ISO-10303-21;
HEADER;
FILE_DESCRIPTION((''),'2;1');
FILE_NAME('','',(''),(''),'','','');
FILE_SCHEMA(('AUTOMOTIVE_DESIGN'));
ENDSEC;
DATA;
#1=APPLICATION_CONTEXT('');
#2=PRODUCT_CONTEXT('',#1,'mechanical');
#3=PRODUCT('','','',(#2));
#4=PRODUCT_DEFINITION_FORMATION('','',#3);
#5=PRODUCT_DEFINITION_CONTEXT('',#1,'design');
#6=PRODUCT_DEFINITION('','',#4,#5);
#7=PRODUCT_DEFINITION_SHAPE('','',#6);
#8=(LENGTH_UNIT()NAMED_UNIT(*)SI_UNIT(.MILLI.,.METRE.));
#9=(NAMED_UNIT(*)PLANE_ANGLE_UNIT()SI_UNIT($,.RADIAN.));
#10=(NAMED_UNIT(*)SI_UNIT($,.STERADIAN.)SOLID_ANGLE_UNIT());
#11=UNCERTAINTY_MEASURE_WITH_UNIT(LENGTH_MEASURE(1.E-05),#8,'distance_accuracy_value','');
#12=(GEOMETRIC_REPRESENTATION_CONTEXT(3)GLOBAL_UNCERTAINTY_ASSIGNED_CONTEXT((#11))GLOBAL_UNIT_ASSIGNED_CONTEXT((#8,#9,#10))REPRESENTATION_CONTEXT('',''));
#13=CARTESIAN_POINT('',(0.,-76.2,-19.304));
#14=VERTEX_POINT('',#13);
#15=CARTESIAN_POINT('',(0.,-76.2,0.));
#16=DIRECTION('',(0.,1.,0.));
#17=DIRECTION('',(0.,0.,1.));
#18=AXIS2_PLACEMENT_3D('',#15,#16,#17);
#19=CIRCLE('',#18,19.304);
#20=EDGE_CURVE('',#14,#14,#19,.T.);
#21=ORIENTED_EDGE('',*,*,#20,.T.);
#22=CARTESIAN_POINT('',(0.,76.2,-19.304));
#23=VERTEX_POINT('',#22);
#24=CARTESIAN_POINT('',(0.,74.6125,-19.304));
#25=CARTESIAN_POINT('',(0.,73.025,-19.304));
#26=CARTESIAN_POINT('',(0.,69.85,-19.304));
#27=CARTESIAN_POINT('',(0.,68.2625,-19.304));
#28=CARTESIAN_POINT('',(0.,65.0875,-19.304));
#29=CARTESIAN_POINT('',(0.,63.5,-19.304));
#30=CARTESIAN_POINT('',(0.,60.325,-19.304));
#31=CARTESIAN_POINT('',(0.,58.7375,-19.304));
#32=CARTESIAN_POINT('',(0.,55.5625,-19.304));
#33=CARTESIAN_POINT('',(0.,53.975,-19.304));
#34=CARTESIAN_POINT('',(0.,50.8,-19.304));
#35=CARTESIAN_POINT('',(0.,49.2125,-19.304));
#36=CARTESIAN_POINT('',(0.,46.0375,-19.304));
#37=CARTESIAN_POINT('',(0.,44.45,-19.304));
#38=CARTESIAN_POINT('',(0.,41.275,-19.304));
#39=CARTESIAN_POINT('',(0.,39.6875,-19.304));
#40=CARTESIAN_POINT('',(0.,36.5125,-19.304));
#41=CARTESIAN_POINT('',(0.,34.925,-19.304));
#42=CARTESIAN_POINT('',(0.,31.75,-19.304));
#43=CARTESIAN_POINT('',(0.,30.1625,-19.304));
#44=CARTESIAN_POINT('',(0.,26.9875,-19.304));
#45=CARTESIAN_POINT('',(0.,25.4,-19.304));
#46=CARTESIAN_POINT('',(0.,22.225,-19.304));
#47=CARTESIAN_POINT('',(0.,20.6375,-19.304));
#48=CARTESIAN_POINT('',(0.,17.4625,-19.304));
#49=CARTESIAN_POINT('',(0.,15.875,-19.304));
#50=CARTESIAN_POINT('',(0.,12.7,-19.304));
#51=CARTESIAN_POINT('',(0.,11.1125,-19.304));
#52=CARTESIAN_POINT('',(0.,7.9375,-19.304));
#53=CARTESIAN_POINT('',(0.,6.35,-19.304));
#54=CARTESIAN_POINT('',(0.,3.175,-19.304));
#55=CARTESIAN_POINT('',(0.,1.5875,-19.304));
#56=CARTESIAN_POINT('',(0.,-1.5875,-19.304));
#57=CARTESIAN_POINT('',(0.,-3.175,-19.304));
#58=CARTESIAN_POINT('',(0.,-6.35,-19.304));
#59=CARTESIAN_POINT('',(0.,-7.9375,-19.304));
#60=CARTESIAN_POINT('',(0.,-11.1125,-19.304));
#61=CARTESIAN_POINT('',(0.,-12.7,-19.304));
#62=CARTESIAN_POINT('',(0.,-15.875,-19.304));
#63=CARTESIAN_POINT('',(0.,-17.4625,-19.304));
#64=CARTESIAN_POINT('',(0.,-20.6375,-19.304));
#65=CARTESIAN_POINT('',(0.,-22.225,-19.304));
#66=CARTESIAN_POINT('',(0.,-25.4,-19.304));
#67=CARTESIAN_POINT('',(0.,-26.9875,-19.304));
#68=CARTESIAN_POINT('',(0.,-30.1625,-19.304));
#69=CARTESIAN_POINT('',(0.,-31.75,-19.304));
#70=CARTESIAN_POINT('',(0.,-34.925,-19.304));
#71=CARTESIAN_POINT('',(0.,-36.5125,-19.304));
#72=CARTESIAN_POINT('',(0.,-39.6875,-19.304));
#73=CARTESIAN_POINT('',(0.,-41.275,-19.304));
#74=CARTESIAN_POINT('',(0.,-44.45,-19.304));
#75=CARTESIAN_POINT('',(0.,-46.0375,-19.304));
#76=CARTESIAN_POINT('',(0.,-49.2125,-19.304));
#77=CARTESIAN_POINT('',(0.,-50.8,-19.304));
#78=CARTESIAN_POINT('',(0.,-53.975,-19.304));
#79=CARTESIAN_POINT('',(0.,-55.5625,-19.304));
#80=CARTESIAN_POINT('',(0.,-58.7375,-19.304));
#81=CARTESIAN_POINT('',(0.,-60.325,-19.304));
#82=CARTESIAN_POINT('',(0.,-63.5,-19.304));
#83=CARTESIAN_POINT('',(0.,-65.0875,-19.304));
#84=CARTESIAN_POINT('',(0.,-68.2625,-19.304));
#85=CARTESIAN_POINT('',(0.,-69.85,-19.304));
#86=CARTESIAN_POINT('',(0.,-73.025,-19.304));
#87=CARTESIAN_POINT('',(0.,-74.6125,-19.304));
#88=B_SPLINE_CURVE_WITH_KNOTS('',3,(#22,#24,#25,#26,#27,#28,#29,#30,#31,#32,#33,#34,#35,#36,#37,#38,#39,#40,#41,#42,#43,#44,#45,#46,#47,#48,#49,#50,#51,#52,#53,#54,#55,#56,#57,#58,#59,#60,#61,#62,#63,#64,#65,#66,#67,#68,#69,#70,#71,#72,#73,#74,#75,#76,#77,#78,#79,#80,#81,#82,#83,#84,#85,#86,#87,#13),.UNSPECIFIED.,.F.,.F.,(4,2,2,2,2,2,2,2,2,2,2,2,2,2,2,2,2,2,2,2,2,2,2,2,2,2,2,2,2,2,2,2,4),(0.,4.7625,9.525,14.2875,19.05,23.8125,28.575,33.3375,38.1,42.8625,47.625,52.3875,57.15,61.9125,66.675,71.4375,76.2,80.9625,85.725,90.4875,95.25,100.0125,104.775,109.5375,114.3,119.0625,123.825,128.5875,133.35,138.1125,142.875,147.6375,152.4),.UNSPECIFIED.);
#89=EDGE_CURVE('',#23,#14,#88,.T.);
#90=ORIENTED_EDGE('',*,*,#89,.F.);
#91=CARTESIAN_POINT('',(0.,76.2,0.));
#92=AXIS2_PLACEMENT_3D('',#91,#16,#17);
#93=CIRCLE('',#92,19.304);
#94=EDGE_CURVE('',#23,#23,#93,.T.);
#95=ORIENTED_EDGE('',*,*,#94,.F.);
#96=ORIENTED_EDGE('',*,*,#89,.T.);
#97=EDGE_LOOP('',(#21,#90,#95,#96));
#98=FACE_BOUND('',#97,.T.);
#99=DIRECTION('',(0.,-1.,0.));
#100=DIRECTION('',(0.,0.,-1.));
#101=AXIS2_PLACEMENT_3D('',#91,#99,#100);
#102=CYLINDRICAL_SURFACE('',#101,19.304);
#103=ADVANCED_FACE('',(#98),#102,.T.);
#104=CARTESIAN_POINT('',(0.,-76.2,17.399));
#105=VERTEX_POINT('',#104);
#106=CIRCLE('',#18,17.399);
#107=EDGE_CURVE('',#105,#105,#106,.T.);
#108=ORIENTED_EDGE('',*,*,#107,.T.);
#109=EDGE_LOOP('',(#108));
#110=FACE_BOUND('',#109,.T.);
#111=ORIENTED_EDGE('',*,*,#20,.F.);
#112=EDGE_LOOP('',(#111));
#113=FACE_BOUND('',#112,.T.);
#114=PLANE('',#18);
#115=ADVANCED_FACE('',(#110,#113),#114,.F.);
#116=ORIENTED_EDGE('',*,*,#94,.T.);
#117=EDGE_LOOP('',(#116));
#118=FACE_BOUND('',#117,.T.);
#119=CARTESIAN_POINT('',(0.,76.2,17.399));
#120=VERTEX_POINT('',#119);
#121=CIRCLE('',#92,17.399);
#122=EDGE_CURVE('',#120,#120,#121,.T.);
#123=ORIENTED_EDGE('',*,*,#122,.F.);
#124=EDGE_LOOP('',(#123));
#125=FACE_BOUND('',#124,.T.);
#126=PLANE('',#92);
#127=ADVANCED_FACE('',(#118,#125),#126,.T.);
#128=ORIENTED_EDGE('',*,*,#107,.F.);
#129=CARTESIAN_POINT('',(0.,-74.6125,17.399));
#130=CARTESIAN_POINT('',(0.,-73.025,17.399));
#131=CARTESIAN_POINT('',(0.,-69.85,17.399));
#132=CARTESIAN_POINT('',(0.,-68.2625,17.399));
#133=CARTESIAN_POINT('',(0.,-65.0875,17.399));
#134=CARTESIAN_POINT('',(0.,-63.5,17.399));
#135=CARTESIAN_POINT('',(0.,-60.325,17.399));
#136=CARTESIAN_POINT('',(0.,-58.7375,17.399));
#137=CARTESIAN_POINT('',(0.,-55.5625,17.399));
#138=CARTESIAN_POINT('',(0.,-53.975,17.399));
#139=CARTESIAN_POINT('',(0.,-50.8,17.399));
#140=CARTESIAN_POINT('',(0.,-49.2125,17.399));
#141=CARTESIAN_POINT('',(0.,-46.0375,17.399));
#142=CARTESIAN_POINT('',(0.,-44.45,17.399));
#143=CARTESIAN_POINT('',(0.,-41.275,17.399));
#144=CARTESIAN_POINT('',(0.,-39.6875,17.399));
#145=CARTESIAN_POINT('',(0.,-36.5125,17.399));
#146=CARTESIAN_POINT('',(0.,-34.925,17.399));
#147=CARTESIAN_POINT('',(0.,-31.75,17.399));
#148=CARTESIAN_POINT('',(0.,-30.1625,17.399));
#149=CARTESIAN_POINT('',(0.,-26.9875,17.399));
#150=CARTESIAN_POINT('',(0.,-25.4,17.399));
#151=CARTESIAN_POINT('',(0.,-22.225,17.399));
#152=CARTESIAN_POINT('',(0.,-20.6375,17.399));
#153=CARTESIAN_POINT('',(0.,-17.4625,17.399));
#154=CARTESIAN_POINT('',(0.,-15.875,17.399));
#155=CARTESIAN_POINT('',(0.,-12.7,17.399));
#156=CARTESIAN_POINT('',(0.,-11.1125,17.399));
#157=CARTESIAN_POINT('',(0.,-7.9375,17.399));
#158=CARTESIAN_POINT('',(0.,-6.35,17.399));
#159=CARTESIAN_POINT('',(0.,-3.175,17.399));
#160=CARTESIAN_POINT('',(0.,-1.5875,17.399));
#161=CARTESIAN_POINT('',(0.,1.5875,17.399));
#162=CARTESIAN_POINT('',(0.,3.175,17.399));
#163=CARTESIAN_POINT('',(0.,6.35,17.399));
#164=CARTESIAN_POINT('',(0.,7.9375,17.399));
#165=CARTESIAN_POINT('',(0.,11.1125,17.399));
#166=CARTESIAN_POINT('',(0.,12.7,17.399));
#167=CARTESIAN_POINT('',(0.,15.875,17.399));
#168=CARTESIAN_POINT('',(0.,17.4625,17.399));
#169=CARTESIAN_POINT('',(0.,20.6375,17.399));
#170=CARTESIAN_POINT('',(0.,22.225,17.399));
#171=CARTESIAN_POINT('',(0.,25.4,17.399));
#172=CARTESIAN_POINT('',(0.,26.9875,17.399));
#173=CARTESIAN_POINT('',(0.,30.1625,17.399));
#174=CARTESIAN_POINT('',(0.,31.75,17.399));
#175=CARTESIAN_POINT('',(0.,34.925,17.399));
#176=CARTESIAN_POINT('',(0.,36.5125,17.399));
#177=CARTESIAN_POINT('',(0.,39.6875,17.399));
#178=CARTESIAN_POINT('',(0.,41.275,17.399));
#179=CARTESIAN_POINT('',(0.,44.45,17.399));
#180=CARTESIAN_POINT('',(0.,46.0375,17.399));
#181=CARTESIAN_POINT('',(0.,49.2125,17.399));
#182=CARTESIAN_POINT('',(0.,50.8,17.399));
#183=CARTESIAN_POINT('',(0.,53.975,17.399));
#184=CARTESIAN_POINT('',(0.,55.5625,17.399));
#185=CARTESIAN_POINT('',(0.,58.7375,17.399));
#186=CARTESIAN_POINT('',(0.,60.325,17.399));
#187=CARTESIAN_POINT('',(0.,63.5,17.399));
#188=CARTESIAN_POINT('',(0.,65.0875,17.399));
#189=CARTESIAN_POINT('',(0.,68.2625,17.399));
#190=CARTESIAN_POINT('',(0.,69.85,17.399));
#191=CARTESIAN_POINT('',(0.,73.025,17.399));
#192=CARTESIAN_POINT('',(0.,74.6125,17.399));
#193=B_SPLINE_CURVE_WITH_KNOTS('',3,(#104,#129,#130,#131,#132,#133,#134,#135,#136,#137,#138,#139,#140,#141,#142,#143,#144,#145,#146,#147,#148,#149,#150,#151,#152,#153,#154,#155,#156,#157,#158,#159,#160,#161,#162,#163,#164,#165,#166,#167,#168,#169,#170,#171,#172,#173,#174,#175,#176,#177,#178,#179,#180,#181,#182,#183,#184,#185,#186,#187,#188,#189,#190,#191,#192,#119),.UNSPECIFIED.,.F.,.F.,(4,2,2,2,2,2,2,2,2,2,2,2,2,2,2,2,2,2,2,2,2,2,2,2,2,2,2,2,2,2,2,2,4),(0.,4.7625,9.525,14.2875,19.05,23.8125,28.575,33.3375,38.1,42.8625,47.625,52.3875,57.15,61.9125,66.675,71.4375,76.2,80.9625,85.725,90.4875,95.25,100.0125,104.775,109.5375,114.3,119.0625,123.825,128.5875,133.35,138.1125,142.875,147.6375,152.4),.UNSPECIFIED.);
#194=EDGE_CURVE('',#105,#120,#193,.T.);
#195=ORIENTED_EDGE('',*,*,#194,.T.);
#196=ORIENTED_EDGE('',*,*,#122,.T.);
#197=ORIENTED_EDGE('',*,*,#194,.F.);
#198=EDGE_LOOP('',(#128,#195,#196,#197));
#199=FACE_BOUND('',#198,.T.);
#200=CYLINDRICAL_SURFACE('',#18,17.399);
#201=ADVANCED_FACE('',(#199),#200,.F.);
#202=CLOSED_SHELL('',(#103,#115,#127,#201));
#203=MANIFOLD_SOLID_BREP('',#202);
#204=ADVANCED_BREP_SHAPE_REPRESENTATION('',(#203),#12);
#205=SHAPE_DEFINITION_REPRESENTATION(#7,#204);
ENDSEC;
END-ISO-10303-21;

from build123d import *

# Parameters (mm, degrees)
SKETCH1_R           = 19.304
BOSS_EXTRUDE1_DEPTH = 76.2
SKETCH2_R           = 17.399
CUT_EXTRUDE1_DEPTH  = 155.825866159


with BuildPart() as part:
    # Sketch1 → Boss-Extrude1 (new, symmetric)
    with BuildSketch(Plane(origin=(0, 0, 0), x_dir=(1, 0, 0), z_dir=(0, 1, 0))):
        with Locations(Location((0, 0, 0), (0, 0, 90))):
            Circle(SKETCH1_R)
    extrude(amount=BOSS_EXTRUDE1_DEPTH, both=True)

    # Sketch2 → Cut-Extrude1 (cut, through all)
    with BuildSketch(Plane(origin=(0, 76.2, 0), x_dir=(1, 0, 0), z_dir=(0, 1, 0))):
        with Locations(Location((0, 0, 0), (0, 0, 270))):
            Circle(SKETCH2_R)
    extrude(amount=-CUT_EXTRUDE1_DEPTH, mode=Mode.SUBTRACT)


solid = part.part
